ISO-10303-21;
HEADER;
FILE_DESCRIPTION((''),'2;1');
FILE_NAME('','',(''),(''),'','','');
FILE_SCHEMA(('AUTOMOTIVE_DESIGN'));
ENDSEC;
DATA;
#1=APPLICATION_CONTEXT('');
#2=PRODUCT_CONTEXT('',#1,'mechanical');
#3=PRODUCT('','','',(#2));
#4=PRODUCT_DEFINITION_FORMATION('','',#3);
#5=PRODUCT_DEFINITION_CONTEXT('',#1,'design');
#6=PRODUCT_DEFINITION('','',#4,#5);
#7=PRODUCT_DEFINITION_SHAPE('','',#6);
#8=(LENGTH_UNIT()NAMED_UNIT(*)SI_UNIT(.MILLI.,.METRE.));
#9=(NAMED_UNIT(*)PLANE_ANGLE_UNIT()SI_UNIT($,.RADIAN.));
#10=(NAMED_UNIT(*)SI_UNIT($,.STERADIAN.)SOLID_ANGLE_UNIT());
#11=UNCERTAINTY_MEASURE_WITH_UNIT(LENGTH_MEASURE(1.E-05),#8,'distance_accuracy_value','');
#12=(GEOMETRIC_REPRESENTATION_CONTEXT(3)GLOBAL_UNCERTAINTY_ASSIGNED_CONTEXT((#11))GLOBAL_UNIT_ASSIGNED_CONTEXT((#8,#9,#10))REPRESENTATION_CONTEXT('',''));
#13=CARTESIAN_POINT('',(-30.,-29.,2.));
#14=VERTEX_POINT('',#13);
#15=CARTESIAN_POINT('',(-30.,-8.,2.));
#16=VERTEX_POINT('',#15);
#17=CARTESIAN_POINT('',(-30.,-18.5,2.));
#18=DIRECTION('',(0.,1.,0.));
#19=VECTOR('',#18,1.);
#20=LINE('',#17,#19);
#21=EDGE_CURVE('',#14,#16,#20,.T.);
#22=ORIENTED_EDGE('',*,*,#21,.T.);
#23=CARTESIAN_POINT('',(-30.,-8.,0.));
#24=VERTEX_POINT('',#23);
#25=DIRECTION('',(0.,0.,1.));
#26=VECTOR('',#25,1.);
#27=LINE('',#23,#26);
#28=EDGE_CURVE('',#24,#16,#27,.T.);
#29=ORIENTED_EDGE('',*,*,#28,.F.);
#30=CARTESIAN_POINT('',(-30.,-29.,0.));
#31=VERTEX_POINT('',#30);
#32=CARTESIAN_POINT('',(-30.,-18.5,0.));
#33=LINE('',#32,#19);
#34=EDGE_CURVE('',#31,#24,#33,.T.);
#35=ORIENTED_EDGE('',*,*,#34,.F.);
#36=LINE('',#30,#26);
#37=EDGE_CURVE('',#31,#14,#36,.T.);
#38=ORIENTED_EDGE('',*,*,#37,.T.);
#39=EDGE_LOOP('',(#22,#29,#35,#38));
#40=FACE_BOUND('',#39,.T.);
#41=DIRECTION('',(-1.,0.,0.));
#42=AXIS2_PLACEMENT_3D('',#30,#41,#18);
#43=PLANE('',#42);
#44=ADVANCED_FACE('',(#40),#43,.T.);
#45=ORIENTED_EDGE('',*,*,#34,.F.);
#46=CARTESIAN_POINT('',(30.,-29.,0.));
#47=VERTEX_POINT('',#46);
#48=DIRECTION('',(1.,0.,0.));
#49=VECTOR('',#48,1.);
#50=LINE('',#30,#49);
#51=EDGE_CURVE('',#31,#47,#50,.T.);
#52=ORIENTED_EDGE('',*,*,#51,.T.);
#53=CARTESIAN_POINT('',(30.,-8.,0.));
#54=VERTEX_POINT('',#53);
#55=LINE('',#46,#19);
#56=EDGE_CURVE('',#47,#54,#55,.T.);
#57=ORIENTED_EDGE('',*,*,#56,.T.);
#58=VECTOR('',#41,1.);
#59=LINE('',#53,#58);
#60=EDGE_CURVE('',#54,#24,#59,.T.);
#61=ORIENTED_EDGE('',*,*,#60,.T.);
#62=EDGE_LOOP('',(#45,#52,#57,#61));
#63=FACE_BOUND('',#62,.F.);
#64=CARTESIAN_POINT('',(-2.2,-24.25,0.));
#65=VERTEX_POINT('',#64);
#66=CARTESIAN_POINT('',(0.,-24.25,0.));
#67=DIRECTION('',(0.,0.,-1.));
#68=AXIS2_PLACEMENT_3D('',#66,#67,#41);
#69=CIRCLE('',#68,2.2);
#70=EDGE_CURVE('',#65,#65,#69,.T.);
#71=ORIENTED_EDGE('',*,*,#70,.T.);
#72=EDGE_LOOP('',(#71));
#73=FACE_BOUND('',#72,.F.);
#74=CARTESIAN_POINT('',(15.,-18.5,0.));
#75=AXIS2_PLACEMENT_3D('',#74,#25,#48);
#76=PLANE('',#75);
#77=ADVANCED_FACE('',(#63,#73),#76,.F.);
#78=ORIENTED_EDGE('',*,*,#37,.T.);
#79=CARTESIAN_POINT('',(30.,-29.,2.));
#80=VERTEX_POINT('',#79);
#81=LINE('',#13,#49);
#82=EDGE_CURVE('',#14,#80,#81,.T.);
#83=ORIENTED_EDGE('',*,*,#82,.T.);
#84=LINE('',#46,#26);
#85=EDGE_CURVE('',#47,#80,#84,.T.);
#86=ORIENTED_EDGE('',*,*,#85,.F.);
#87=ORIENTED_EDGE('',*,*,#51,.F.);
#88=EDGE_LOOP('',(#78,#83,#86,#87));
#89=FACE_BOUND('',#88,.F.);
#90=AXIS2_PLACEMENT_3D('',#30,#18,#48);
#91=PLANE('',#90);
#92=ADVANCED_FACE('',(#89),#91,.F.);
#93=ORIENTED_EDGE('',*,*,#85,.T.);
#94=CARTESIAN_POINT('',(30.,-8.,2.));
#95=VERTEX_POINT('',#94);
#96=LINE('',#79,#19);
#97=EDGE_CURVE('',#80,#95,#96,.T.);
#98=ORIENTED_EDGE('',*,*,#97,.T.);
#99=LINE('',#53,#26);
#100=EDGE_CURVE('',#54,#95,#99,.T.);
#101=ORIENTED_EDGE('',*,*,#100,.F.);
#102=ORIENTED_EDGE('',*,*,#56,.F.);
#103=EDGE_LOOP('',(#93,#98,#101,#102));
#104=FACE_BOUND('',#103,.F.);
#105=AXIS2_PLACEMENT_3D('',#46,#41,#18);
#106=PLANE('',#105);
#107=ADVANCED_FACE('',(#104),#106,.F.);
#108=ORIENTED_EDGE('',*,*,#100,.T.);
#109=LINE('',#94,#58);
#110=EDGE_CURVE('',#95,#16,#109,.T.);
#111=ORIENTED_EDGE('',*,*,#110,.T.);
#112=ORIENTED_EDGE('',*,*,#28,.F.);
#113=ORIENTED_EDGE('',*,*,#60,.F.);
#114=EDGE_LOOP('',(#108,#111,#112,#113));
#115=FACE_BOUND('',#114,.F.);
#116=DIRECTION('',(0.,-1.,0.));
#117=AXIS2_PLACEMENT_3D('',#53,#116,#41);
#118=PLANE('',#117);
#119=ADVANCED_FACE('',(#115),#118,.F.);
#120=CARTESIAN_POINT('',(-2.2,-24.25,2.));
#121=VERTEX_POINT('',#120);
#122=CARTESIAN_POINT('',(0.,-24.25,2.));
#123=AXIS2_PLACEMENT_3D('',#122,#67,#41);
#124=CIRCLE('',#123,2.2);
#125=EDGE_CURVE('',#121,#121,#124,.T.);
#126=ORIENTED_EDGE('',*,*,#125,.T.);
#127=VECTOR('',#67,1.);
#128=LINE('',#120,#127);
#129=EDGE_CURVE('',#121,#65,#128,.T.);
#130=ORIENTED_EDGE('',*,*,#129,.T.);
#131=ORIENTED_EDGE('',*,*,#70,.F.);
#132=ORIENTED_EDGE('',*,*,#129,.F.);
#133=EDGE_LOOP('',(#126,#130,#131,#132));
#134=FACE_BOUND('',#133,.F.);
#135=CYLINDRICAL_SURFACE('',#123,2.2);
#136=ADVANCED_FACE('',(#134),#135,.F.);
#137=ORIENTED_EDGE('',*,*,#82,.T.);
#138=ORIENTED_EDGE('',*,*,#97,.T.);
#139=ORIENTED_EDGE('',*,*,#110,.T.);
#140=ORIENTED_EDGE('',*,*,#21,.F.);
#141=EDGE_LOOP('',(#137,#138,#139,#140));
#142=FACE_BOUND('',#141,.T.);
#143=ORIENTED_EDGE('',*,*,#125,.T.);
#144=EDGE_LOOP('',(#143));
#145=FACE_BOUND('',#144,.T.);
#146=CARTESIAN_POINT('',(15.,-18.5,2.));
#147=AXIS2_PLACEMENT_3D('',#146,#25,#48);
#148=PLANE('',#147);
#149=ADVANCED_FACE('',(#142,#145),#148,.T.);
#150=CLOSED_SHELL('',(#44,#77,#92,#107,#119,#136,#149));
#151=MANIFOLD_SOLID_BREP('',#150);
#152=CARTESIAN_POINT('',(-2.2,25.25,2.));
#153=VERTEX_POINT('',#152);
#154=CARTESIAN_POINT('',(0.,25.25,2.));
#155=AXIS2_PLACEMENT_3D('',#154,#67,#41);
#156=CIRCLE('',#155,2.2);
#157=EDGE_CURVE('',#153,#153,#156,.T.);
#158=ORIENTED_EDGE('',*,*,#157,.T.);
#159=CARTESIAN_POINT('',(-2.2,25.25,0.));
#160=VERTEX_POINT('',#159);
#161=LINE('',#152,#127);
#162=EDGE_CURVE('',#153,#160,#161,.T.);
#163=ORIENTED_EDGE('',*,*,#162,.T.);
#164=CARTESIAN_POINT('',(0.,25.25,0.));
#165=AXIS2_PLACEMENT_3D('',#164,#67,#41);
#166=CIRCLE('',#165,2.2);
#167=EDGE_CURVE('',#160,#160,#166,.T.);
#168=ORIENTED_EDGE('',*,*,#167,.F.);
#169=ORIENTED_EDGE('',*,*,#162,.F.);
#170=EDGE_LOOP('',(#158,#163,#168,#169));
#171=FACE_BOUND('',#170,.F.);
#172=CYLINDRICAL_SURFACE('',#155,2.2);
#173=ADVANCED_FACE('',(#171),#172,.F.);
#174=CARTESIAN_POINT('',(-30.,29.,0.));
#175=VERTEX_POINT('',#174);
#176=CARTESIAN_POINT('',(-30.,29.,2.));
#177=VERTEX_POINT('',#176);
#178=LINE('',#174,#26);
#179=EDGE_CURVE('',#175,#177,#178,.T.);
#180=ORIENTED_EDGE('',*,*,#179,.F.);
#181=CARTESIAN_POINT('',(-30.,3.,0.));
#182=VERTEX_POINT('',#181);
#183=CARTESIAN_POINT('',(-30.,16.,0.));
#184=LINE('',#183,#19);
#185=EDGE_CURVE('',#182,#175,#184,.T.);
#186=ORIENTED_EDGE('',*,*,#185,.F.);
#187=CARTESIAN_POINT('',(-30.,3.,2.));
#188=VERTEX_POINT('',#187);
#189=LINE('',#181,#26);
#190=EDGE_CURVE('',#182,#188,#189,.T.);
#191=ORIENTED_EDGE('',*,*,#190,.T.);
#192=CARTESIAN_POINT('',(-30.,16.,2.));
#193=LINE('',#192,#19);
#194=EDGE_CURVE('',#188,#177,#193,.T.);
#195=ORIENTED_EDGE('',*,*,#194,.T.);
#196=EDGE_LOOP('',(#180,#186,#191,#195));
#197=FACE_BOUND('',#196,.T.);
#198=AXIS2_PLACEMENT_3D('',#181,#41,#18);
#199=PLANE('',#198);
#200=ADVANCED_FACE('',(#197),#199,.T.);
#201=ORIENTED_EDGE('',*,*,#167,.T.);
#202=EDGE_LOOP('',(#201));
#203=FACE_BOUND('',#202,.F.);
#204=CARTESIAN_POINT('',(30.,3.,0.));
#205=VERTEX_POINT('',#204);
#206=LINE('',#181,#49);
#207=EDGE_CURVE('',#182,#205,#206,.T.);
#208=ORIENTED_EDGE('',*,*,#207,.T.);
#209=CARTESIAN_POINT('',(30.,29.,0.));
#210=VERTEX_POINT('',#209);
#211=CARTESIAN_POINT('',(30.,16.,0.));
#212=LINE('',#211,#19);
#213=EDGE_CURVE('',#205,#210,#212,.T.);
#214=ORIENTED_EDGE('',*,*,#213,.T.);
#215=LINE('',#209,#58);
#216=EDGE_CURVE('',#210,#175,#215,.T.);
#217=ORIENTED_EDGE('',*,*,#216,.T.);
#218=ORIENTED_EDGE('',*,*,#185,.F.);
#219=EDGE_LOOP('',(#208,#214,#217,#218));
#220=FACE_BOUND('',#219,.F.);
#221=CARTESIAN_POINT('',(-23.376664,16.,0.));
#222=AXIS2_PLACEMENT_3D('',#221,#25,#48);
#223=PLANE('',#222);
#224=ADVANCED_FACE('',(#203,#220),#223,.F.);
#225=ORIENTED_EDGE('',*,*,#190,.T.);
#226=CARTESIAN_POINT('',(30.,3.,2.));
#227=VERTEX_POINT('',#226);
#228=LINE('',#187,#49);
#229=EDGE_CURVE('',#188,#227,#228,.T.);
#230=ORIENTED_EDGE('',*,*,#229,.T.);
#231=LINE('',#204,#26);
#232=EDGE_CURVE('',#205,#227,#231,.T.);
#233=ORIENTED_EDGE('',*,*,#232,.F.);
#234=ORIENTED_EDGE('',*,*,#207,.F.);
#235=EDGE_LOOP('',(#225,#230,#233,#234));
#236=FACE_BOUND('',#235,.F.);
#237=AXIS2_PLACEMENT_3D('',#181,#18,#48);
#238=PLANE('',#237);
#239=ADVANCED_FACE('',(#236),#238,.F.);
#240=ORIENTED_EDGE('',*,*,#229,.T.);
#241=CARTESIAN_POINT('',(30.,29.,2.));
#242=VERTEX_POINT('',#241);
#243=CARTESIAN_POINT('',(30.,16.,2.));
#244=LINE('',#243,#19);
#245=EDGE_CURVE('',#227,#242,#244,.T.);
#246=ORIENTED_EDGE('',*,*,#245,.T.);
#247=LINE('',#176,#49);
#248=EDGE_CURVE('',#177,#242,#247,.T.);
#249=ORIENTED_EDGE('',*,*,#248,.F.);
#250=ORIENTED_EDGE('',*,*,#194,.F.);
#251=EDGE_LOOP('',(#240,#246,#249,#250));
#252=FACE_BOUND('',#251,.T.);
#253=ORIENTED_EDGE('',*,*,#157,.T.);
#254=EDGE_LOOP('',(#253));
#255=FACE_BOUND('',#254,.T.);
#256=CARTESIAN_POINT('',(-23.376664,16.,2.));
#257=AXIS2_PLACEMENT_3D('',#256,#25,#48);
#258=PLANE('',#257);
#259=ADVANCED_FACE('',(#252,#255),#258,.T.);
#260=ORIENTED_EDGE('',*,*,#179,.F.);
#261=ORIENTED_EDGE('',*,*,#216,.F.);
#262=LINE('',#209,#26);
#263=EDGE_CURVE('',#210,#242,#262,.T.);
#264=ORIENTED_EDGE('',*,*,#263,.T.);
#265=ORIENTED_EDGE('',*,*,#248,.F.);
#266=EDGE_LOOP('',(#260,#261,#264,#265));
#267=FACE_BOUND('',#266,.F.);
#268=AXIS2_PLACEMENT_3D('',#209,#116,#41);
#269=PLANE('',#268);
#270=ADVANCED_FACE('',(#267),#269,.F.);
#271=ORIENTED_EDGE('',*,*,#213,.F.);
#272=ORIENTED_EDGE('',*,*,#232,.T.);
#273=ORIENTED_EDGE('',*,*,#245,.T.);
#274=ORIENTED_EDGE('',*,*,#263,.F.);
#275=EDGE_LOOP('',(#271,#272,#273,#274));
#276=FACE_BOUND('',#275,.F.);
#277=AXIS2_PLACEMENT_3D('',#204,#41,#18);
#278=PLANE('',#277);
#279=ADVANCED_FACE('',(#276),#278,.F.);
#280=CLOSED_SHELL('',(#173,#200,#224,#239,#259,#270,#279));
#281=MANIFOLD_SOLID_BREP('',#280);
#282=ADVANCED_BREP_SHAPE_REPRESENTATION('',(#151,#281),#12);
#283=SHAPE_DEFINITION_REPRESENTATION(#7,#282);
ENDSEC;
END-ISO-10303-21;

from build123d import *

# Parameters (mm, degrees)
F0_W             = 13.2466710359
F0_H             = 26
F0_W_2           = 16.7533289641
F0_W_3           = 30
F1_DEPTH         = 2
F0_W_4           = 13.0084685236
F0_H_2           = 21
F3_D             = 4.4
F3_CBORE_D       = 8.25
F3_CBORE_DEPTH   = 0
F3_2_D           = 4.4
F3_2_CBORE_D     = 8.25
F3_2_CBORE_DEPTH = 0


with BuildPart() as f1:
    # F0 (on Top) → F1 (new body)
    with BuildSketch(Plane.XY):
        with Locations((-23.3766644821, 16)):
            Rectangle(F0_W, F0_H)
        with Locations((-8.3766644821, 16)):
            Rectangle(F0_W_2, F0_H)
        with Locations((15, 16)):
            Rectangle(F0_W_3, F0_H)
    extrude(amount=F1_DEPTH)

    # F3 (through all)
    with Locations(Plane.XY.offset(2)):
        with Locations((0, 25.25), (0, -24.25)):
            CounterBoreHole(F3_D / 2, F3_CBORE_D / 2, F3_CBORE_DEPTH)


with BuildPart() as f1b:
    # F0 (on Top) → F1, piece 2 (new body)
    with BuildSketch(Plane.XY):
        Polygon((30, -8), (0, -8), (0, -20.5), (0, -29), (30, -29), align=None)
        with Locations((-23.4957657382, -18.5)):
            Rectangle(F0_W_4, F0_H_2)
        Polygon((0, -8), (-16.9915314764, -8), (-16.9915314764, -29), (0, -29), (0, -20.5), align=None)
    extrude(amount=F1_DEPTH)

    # F3#2 (through all)
    with Locations(Plane.XY.offset(2)):
        with Locations((0, 25.25), (0, -24.25)):
            CounterBoreHole(F3_2_D / 2, F3_2_CBORE_D / 2, F3_2_CBORE_DEPTH)


solid = Compound([f1.part, f1b.part])
